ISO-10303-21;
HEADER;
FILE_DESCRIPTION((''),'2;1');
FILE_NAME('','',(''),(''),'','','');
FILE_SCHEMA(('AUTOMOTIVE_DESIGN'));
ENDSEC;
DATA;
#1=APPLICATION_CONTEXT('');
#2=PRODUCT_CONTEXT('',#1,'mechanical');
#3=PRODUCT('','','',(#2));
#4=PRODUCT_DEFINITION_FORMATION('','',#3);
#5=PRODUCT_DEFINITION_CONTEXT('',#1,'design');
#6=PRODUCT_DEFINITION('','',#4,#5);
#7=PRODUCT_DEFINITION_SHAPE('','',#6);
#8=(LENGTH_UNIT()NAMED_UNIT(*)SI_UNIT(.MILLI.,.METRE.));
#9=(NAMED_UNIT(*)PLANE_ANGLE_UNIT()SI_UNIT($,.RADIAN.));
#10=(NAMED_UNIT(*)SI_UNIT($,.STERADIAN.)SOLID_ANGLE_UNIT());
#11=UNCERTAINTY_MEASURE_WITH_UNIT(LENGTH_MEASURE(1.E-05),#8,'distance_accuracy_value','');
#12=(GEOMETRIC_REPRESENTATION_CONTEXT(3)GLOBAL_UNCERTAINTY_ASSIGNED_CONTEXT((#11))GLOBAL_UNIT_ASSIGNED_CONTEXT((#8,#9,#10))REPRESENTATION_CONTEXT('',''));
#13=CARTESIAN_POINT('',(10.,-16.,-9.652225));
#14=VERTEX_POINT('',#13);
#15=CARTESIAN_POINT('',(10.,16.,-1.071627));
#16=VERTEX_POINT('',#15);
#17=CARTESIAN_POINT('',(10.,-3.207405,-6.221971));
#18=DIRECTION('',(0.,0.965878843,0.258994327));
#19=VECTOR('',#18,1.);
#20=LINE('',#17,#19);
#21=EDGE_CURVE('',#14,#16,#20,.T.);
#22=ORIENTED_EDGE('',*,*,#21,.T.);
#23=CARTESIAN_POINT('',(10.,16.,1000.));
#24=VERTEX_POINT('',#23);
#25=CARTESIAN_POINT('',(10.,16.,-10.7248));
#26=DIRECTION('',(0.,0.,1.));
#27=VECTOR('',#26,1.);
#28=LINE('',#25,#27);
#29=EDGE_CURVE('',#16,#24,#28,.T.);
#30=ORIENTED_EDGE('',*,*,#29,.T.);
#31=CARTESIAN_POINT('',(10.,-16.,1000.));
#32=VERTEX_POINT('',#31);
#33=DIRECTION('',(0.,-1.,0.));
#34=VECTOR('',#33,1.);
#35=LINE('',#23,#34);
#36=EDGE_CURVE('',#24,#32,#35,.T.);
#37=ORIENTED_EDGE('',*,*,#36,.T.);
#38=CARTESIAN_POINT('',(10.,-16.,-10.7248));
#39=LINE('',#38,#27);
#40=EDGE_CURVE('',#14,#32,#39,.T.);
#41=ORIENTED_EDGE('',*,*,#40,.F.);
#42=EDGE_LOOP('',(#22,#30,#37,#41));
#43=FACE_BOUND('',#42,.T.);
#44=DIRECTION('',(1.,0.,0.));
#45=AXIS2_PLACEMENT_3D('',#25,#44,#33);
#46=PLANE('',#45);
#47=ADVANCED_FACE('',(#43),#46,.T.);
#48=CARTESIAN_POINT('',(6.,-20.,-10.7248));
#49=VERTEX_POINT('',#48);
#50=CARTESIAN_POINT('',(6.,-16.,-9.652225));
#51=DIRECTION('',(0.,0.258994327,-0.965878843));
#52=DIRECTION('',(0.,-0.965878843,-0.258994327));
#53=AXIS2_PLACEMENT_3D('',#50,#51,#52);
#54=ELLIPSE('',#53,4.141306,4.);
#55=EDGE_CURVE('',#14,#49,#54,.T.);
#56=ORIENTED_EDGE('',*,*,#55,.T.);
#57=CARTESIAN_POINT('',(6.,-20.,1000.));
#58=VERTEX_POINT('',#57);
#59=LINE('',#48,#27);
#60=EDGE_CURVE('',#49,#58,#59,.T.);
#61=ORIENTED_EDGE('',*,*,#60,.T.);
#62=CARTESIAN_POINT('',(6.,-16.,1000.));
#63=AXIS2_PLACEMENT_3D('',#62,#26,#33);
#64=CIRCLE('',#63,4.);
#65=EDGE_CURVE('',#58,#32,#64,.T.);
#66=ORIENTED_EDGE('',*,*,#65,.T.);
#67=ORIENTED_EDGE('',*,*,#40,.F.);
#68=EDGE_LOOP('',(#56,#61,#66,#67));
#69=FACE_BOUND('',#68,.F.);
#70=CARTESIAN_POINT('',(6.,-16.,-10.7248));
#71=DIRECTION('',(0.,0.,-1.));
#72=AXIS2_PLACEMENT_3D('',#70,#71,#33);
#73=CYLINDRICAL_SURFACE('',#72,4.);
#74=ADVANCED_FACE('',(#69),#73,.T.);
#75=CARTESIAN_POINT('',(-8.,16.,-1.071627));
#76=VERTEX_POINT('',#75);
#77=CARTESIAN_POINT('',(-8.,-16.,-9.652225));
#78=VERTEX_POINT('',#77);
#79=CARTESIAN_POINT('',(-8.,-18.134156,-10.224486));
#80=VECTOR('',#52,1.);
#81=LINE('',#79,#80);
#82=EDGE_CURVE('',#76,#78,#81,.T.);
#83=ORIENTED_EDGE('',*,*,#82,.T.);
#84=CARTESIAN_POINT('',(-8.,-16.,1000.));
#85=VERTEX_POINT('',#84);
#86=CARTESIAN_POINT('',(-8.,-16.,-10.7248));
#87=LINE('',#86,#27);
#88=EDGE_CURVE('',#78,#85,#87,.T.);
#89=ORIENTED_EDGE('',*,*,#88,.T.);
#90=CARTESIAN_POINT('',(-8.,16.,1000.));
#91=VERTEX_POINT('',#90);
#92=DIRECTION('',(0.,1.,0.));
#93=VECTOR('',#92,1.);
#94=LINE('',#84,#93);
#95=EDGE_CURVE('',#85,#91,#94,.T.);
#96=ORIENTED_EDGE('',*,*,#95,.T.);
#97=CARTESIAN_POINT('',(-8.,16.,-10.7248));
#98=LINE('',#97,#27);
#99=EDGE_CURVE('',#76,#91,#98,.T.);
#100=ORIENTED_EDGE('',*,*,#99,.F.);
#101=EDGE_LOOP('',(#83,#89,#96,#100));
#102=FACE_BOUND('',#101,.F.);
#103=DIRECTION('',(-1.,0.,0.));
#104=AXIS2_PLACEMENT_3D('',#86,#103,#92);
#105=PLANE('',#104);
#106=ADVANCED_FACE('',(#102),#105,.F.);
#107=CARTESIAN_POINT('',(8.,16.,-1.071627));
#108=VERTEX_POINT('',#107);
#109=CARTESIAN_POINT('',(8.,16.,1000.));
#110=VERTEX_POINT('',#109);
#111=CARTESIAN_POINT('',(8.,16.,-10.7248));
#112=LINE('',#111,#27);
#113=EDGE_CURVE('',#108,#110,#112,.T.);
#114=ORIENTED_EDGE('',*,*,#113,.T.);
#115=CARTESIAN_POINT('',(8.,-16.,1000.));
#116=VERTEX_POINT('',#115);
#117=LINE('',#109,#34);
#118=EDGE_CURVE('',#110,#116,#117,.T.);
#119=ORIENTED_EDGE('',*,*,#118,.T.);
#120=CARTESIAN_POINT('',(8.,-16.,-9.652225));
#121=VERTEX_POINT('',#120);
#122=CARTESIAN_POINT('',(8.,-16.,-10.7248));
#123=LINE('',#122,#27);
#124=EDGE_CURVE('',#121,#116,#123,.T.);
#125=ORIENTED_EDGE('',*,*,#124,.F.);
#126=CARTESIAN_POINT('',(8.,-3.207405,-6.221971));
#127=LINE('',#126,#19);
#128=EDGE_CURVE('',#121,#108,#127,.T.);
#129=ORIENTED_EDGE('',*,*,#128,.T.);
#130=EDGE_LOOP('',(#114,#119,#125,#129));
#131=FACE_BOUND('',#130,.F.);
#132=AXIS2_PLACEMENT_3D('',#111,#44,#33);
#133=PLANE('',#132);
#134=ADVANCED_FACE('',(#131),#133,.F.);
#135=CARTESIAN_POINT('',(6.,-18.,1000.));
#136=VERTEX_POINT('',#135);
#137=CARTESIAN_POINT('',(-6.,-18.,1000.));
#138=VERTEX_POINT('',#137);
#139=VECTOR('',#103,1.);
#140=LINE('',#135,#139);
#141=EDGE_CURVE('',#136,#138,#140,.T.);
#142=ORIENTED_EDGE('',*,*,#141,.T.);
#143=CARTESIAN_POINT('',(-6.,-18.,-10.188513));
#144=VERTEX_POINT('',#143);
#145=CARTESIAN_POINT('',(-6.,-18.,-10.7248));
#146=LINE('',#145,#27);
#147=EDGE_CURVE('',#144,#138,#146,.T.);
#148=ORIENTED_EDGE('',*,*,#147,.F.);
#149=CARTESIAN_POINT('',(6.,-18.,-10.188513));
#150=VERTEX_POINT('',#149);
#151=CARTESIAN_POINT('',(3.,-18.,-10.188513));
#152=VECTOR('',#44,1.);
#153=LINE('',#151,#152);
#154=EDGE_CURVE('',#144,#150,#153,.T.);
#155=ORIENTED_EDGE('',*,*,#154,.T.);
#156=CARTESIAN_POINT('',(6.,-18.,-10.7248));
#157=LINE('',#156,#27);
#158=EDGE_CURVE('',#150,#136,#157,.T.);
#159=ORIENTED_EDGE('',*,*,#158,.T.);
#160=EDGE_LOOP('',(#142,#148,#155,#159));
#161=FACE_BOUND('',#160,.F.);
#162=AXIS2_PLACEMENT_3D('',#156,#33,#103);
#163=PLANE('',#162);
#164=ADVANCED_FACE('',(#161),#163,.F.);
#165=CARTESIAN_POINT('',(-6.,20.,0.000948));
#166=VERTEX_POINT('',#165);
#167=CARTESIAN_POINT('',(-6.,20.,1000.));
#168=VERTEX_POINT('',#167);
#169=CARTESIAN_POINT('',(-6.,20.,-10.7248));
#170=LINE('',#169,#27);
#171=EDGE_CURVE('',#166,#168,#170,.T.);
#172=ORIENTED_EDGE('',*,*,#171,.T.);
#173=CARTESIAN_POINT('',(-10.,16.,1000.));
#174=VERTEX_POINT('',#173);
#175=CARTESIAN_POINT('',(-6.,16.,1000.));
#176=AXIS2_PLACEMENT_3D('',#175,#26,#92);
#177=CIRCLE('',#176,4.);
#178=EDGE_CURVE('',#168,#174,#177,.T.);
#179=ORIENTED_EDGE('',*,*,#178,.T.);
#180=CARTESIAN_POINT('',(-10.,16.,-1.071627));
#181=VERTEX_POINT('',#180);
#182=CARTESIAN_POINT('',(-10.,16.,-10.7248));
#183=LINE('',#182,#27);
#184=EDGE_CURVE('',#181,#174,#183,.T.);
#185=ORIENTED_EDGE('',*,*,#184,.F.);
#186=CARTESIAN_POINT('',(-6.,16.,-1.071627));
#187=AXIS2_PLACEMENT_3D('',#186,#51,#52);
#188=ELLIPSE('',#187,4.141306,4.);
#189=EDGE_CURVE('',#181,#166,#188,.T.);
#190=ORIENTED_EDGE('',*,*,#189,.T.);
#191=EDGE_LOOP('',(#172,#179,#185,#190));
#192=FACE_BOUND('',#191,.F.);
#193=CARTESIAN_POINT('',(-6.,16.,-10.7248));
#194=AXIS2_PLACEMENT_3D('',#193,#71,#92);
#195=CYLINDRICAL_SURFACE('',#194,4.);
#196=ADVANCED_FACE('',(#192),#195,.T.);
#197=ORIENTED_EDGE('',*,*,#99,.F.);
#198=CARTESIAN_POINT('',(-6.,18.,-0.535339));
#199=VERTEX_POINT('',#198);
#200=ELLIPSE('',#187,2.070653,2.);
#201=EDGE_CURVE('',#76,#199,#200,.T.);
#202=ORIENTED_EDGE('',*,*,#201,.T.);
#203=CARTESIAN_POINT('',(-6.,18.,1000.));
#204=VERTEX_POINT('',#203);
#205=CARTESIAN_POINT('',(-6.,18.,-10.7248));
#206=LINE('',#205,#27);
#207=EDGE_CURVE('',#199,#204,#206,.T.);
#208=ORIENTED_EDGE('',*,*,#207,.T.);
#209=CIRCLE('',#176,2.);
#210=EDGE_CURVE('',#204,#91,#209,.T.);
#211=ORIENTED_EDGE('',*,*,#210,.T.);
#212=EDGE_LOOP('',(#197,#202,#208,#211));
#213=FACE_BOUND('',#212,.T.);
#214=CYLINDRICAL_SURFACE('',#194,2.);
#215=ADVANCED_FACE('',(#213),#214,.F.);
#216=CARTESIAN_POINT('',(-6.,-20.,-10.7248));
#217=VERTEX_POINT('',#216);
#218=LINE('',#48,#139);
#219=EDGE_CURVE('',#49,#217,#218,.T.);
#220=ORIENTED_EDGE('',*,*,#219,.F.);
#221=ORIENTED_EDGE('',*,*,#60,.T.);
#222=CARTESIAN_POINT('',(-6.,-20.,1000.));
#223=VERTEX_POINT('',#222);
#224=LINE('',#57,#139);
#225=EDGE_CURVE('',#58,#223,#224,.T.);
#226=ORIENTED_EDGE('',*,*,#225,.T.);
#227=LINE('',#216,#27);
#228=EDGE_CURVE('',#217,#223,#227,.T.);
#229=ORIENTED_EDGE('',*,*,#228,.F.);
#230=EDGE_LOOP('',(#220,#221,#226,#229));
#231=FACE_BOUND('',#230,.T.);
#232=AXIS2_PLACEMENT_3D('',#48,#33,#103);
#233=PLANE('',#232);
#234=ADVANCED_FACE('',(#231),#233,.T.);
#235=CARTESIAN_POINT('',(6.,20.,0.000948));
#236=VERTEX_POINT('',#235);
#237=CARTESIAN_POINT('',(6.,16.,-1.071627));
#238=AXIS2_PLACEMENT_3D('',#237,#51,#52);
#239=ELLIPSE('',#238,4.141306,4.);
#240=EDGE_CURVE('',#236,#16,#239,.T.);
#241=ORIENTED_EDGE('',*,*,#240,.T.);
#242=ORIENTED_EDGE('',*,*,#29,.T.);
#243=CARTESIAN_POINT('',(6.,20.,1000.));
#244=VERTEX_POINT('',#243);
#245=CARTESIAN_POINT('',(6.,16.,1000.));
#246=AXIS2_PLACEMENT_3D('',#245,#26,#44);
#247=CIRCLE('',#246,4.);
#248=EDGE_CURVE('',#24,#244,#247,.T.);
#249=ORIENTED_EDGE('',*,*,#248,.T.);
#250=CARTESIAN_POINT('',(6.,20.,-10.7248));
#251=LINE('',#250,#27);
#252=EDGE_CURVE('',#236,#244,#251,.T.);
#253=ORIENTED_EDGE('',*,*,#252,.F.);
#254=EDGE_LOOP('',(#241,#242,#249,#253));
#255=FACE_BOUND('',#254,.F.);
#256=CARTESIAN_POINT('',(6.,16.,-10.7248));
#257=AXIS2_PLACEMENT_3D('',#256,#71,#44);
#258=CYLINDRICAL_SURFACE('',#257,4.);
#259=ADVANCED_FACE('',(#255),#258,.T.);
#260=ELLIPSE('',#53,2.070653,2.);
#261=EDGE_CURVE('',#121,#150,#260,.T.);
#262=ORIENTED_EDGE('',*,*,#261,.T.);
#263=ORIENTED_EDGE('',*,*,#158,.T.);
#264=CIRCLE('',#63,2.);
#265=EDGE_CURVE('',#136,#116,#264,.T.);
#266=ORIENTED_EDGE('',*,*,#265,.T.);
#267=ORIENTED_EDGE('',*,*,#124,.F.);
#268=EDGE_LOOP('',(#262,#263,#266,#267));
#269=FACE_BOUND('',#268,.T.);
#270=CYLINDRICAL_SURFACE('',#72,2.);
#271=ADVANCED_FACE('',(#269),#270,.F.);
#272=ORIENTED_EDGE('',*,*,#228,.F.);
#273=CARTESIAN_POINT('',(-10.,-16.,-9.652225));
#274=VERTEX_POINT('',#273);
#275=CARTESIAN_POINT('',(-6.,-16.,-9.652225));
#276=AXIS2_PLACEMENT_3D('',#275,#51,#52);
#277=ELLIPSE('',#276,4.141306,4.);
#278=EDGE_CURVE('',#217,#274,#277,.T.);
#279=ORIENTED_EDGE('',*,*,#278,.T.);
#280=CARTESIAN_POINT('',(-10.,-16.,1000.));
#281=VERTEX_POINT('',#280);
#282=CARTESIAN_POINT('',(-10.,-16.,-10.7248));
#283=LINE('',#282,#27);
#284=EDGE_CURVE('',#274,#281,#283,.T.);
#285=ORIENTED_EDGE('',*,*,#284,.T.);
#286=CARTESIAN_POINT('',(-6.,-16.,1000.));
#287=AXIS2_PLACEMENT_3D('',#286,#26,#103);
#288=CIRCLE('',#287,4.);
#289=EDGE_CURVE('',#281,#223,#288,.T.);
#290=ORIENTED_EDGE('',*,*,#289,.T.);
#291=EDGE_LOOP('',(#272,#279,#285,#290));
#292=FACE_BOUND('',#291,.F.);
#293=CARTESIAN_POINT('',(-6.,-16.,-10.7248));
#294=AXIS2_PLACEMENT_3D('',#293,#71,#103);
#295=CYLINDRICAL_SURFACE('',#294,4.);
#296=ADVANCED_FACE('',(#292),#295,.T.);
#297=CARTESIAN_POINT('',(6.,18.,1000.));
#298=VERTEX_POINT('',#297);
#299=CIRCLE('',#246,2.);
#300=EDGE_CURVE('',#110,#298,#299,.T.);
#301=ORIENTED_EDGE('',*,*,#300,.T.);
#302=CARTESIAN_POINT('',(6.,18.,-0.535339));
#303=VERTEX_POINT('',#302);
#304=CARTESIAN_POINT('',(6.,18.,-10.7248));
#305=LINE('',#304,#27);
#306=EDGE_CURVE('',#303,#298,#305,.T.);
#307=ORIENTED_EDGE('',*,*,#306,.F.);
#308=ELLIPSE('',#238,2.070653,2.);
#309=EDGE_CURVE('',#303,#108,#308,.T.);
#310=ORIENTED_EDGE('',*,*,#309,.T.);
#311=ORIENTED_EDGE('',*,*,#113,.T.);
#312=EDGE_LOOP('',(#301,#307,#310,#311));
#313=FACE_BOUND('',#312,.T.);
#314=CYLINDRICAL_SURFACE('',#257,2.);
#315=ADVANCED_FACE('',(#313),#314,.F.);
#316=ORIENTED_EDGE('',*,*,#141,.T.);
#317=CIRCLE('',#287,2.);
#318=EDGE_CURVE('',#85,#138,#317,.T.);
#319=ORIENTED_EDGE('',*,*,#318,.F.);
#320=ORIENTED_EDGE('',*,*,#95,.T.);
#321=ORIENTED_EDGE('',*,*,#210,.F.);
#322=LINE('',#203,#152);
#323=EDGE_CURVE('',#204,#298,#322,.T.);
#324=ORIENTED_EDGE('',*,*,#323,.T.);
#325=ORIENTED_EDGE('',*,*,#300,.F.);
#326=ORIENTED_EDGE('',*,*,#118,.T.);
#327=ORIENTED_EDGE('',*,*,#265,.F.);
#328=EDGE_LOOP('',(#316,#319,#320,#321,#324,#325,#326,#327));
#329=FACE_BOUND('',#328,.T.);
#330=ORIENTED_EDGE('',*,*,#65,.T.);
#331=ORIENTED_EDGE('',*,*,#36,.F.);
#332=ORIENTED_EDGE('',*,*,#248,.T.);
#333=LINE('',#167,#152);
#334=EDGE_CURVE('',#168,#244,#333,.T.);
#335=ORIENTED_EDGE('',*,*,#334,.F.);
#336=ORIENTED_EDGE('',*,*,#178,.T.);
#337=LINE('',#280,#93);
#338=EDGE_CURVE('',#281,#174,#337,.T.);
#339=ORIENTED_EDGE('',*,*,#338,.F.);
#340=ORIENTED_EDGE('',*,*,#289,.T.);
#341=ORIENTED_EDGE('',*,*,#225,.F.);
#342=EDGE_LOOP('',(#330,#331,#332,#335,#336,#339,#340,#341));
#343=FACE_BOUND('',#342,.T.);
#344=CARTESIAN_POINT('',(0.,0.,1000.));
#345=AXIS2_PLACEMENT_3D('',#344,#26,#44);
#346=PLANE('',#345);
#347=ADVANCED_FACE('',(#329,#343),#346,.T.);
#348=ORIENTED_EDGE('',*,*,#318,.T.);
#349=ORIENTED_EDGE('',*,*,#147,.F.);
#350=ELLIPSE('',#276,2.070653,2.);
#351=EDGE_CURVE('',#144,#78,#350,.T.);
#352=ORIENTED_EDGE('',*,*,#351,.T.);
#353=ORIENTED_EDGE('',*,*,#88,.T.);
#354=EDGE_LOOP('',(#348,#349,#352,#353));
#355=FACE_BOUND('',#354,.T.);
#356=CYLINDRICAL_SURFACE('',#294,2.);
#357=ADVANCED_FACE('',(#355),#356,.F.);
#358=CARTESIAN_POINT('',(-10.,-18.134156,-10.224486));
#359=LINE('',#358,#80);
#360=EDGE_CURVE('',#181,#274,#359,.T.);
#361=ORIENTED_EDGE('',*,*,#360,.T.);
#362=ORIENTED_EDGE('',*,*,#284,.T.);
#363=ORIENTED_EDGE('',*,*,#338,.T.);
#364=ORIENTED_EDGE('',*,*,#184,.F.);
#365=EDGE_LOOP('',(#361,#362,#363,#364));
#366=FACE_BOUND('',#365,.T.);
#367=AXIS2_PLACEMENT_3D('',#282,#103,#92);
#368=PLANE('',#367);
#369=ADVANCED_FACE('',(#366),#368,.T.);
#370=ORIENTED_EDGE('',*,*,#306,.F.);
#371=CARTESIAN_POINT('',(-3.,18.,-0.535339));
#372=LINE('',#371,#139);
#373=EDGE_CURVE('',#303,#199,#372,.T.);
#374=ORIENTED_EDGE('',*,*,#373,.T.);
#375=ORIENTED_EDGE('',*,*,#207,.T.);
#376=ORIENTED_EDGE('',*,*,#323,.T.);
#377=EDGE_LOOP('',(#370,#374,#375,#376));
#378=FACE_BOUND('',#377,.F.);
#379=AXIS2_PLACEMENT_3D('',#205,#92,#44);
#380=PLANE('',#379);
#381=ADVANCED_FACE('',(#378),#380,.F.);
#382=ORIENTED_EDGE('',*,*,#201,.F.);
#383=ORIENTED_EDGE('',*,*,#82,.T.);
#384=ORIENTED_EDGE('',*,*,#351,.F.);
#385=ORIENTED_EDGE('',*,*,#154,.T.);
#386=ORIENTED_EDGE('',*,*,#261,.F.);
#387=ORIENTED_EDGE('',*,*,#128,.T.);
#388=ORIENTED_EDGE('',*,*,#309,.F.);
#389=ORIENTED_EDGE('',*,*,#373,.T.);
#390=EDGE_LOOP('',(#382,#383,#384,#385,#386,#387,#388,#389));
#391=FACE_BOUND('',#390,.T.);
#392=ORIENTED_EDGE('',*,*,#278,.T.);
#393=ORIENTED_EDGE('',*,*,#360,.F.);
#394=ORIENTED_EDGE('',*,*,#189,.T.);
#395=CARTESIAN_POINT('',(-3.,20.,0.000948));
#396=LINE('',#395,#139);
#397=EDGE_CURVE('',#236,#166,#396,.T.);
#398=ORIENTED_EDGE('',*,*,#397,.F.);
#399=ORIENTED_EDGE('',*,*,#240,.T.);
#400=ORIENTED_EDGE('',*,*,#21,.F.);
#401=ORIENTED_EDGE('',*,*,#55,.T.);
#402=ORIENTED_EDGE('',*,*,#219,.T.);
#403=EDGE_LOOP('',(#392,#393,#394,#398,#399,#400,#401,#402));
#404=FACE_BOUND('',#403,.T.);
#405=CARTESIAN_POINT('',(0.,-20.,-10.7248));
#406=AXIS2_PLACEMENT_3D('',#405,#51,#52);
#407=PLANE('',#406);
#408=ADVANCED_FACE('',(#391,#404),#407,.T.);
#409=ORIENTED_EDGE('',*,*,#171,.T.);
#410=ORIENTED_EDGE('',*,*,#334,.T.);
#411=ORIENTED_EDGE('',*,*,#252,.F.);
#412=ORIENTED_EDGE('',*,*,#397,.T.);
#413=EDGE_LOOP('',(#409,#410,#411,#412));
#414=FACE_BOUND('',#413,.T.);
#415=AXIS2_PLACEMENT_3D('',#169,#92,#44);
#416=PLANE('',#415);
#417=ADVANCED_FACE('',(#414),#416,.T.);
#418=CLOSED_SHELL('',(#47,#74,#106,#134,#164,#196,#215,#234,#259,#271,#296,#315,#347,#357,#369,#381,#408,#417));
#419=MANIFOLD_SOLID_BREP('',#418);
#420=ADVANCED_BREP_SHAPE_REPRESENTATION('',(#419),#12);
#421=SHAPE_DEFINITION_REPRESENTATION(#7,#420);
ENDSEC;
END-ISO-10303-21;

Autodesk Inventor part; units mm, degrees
ref_plane "Начальная плоскость" through (0, 0, -10.7248) normal (0, 0, 1) x (1, 0, 0)
ref_plane "Конечная плоскость" through (0, 0, 1000) normal (0, 0, 1) x (1, 0, 0)
sketch "Эскиз" plane through (0, 0, 0) normal (0, 0, 1) x (1, 0, 0)
  line L0 (-10, -16) -> (-10, 16)
  line L1 (-6, 20) -> (6, 20)
  line L2 (10, 16) -> (10, -16)
  line L3 (6, -20) -> (-6, -20)
  arc A0 (-10, -16) -> (-6, -20) centre (-6, -16) ccw
  arc A1 (-6, 20) -> (-10, 16) centre (-6, 16) ccw
  arc A2 (10, 16) -> (6, 20) centre (6, 16) ccw
  arc A3 (6, -20) -> (10, -16) centre (6, -16) ccw
  arc A4 (-6, 18) -> (-8, 16) centre (-6, 16) ccw
  line L4 (-6, 18) -> (6, 18)
  arc A5 (8, 16) -> (6, 18) centre (6, 16) ccw
  line L5 (8, 16) -> (8, -16)
  arc A6 (6, -18) -> (8, -16) centre (6, -16) ccw
  line L6 (6, -18) -> (-6, -18)
  arc A7 (-8, -16) -> (-6, -18) centre (-6, -16) ccw
  line L7 (-8, -16) -> (-8, 16)
  line L8 (0, 29.1598) -> (0, -29.1598) construction
  line L9 (-15.1598, 0) -> (15.1598, 0) construction
  dimension "d7" = 4
  dimension "d10" = 40
  dimension "d11" = 20
  dimension "d12" = 2
  dimension "d15" = 20
  dimension "d16" = 10
extrude "Тело" add sketch "Эскиз" along normal up to surface (1010.7248 mm away) from surface at -10.7248
sketch "Sketch3" plane through (0, 0, 0) normal (0, 0, 1) x (1, 0, 0)
  line L0 (0, 0) -> (10, 0)
ref_plane "Work Plane3" through (0, 0, 0) normal (0, -1, 0) x (1, 0, 0)
ref_plane "РабПлоскость4" through (0, -20, -10.7248) normal (0, 0.259, -0.9659) x (1, 0, 0)
split "Разделение1" plane through (0, -20, -10.7248) removes the side toward (0, 0.259, -0.9659)
sketch "Sketch4" plane through (0, 0, 0) normal (0, -1, 0) x (1, 0, 0)
  line L0 (-2, -10.7248) -> (12, -10.7248) projected
  line L1 (-2, 1000) -> (12, 1000) projected
  dimension "d18" = 1010.7248
equation "\"d7\" = G_IR"
equation "\"d10\" = G_H"
equation "\"d11\" = G_W"
equation "\"d12\" = G_T"
equation "\"d15\" = 0.5 * d10"
equation "\"d16\" = 0.5 * d11"
equation "\"d3\" = G_L"
equation "\"G_W\" = 20"
equation "\"G_H\" = 40"
equation "\"G_T\" = 2"
equation "\"G_IR\" = 4"
equation "\"G_L\" = d18"
equation "\"G_OFFSET_START\" = 10.72484"
equation "\"G_OFFSET_END\" = 0"
equation "\"d13\" = -G_OFFSET_START"
properties part number "DIN EN 10219-2 - 40 x 20 x 2  - 1010,72" material "Нержавеющая сталь"
